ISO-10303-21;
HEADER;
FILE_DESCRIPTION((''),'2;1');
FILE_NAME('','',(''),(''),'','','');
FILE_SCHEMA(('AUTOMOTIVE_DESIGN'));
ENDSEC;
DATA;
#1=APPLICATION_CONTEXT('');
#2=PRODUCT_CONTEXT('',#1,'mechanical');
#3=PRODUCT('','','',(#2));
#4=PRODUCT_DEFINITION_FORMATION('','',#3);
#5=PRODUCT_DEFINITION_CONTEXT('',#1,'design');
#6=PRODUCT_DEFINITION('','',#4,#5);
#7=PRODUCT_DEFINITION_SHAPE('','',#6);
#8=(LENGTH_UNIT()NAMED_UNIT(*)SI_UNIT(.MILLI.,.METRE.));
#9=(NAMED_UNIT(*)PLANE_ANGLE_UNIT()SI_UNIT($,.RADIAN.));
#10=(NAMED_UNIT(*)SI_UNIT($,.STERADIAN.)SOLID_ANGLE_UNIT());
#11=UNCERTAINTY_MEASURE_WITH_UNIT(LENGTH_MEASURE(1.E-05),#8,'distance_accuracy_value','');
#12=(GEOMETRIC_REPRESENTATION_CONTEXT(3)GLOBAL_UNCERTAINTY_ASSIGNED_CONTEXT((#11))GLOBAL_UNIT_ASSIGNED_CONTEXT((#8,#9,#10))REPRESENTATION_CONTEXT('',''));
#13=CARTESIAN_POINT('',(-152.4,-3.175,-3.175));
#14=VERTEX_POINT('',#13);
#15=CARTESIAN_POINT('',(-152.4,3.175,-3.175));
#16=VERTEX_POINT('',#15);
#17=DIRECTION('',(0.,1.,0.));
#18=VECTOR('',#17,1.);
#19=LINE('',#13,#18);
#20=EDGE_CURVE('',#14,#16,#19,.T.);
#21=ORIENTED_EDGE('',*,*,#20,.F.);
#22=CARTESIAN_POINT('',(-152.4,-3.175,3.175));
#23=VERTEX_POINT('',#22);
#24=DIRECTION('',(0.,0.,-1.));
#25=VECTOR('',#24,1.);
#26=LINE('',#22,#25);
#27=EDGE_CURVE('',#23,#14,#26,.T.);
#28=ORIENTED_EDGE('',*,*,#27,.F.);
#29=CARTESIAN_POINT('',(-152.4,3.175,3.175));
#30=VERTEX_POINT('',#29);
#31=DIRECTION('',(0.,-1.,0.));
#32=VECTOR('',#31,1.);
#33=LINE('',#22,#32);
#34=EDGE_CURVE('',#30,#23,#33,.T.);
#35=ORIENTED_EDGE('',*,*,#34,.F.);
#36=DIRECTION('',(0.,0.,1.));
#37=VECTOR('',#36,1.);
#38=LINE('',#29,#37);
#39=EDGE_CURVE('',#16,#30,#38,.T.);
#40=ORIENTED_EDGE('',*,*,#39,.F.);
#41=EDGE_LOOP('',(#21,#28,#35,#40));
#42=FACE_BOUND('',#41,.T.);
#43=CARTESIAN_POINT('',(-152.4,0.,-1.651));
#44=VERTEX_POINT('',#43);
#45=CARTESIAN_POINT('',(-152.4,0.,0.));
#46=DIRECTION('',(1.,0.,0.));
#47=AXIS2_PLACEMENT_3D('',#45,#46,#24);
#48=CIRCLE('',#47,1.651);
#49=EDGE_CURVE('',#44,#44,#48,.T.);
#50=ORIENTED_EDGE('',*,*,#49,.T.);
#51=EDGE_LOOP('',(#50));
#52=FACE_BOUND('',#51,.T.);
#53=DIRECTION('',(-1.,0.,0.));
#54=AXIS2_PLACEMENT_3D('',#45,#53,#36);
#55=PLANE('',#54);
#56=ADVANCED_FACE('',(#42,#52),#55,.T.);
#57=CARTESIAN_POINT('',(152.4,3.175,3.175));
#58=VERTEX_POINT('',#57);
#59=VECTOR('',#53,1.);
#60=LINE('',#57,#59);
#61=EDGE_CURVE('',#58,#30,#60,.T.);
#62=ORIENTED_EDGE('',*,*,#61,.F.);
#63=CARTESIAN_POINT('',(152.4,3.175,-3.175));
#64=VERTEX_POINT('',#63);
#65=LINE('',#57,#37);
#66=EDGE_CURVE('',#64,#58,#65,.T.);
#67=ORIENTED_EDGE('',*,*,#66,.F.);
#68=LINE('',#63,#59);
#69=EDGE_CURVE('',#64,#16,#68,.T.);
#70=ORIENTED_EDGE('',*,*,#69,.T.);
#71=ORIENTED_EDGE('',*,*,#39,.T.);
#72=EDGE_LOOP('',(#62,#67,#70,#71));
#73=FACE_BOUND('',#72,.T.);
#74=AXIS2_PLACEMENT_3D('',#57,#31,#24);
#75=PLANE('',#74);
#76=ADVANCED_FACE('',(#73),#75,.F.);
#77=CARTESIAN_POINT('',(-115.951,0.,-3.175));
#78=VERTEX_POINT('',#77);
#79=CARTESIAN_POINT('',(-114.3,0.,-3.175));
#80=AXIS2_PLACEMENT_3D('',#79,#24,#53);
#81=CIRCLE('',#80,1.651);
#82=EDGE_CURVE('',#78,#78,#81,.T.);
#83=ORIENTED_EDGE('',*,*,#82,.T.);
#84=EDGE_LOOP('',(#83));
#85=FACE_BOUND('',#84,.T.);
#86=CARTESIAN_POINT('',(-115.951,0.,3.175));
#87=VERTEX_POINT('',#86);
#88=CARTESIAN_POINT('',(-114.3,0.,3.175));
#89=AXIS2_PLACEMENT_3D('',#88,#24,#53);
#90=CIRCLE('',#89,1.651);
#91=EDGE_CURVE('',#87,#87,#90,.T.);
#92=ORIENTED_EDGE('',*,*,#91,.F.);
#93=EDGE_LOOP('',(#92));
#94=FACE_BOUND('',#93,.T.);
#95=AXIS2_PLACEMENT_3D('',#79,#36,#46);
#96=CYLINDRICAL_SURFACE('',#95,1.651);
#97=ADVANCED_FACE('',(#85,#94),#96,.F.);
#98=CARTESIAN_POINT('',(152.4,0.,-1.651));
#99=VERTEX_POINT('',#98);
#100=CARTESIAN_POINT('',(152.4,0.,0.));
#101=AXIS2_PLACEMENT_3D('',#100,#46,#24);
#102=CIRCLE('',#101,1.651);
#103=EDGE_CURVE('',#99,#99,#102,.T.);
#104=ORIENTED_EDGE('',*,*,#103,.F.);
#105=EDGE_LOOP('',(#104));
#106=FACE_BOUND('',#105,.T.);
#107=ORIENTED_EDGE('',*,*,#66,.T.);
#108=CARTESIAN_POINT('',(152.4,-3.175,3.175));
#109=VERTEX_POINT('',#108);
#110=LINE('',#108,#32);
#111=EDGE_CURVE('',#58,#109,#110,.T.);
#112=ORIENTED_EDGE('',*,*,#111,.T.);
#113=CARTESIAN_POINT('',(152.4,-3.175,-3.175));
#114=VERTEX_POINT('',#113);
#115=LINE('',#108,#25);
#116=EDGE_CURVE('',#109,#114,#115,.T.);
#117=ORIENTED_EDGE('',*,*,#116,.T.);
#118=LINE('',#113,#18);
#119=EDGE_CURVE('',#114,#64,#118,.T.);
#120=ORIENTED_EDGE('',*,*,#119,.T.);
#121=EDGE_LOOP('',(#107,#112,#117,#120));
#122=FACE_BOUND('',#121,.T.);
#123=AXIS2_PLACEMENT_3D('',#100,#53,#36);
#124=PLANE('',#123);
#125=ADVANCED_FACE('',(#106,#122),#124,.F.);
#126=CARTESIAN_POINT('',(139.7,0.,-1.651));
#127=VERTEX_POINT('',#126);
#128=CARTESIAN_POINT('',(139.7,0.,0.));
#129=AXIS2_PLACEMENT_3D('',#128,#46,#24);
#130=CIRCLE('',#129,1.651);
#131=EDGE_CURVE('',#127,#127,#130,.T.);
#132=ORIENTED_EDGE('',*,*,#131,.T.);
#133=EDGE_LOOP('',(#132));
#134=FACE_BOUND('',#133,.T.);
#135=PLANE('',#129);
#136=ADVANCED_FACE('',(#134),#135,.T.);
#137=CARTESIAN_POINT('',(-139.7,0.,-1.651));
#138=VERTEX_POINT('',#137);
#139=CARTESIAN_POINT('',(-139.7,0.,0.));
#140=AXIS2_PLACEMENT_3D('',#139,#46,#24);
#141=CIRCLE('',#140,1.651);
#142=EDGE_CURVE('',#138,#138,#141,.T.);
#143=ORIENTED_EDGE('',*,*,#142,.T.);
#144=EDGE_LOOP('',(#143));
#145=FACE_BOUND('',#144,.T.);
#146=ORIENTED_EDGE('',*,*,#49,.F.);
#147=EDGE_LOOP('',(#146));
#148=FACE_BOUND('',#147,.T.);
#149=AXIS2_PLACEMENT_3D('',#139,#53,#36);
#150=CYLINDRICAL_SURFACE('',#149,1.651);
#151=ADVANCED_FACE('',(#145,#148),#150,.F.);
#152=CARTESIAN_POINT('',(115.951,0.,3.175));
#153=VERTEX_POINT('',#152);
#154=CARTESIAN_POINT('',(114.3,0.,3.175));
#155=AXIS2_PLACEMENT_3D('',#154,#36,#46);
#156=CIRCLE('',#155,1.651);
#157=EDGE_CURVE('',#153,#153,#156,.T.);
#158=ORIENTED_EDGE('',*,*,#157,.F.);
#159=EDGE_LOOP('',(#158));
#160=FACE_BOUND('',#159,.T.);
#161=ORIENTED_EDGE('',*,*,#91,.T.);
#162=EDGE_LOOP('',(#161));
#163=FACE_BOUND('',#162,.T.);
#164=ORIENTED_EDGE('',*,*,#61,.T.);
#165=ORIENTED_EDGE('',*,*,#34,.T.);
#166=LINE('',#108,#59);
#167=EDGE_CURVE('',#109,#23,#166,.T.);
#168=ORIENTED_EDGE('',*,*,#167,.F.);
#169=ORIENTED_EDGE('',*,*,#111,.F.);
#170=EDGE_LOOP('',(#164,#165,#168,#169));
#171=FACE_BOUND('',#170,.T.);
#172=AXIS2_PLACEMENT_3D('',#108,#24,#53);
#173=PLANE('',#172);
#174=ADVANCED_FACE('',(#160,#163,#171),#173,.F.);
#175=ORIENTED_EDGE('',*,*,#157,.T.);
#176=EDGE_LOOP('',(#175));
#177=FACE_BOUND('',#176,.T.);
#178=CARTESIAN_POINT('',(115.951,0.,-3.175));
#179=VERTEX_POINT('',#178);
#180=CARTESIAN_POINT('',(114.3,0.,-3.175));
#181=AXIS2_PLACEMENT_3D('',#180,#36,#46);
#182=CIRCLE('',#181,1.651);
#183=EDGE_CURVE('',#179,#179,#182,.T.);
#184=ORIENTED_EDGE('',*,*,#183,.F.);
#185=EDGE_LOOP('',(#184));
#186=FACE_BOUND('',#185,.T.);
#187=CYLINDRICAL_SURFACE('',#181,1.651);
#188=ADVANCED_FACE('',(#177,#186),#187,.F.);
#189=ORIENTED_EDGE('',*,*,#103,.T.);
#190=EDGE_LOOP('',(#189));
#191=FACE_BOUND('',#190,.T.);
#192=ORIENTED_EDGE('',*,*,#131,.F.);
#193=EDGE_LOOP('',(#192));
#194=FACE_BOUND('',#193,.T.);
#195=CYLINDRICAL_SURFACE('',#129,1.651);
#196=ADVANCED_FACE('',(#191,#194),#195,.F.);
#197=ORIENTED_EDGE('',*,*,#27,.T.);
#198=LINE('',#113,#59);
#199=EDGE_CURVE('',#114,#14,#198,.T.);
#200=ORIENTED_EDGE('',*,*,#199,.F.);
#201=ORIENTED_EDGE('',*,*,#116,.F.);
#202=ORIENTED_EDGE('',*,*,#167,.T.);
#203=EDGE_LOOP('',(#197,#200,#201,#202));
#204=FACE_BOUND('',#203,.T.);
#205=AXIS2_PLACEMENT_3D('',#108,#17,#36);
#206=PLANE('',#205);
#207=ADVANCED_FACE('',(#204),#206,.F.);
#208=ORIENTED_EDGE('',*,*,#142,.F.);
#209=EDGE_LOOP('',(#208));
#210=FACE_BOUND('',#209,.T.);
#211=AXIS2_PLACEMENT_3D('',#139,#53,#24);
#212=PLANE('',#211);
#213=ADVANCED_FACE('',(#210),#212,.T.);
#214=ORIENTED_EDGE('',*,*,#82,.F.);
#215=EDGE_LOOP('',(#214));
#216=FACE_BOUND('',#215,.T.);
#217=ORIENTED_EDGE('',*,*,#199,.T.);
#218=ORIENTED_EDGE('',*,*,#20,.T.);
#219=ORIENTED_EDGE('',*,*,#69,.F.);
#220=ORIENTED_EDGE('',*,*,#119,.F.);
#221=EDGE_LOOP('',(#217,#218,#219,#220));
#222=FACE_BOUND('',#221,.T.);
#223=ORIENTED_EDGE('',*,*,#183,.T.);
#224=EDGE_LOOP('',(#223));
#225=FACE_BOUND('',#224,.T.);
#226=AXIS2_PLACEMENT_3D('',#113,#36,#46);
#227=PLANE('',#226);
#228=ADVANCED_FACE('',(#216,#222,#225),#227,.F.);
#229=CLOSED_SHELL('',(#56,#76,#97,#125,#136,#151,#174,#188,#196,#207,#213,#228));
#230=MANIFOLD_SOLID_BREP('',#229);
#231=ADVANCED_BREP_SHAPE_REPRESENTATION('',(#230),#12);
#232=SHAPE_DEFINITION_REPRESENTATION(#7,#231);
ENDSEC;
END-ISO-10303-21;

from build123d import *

# Parameters (mm, degrees)
SKETCH1_W           = 6.35
SKETCH1_H           = 6.35
BOSS_EXTRUDE1_DEPTH = 152.4
SKETCH4_R           = 1.651
CUT_EXTRUDE1_DEPTH  = 12.7
SKETCH5_R           = 1.651
CUT_EXTRUDE2_DEPTH  = 153.565274965


with BuildPart() as part:
    # Sketch1 → Boss-Extrude1 (new, symmetric)
    with BuildSketch(Plane(origin=(0, 0, 0), x_dir=(0, 0, -1), z_dir=(1, 0, 0))):
        Rectangle(SKETCH1_W, SKETCH1_H)
    extrude(amount=BOSS_EXTRUDE1_DEPTH, both=True)

    # Sketch4 → Cut-Extrude1 (cut)
    with BuildSketch(Plane(origin=(152.4, 0, 0), x_dir=(0, 0, -1), z_dir=(1, 0, 0))):
        Circle(SKETCH4_R)
    cut_extrude1 = extrude(amount=-CUT_EXTRUDE1_DEPTH, mode=Mode.SUBTRACT)

    # Sketch5 → Cut-Extrude2 (cut, through all)
    with BuildSketch(Plane.XY.offset(3.175)):
        with Locations((114.3, 0)):
            Circle(SKETCH5_R)
    cut_extrude2 = extrude(amount=-CUT_EXTRUDE2_DEPTH, mode=Mode.SUBTRACT)

    # Mirror1: Cut-Extrude1, Cut-Extrude2 across plane
    add(cut_extrude1.mirror(Plane(origin=(0, 0, 0), x_dir=(0, 0, 1), z_dir=(1, 0, 0))), mode=Mode.SUBTRACT)
    add(cut_extrude2.mirror(Plane(origin=(0, 0, 0), x_dir=(0, 0, 1), z_dir=(1, 0, 0))), mode=Mode.SUBTRACT)


solid = part.part
